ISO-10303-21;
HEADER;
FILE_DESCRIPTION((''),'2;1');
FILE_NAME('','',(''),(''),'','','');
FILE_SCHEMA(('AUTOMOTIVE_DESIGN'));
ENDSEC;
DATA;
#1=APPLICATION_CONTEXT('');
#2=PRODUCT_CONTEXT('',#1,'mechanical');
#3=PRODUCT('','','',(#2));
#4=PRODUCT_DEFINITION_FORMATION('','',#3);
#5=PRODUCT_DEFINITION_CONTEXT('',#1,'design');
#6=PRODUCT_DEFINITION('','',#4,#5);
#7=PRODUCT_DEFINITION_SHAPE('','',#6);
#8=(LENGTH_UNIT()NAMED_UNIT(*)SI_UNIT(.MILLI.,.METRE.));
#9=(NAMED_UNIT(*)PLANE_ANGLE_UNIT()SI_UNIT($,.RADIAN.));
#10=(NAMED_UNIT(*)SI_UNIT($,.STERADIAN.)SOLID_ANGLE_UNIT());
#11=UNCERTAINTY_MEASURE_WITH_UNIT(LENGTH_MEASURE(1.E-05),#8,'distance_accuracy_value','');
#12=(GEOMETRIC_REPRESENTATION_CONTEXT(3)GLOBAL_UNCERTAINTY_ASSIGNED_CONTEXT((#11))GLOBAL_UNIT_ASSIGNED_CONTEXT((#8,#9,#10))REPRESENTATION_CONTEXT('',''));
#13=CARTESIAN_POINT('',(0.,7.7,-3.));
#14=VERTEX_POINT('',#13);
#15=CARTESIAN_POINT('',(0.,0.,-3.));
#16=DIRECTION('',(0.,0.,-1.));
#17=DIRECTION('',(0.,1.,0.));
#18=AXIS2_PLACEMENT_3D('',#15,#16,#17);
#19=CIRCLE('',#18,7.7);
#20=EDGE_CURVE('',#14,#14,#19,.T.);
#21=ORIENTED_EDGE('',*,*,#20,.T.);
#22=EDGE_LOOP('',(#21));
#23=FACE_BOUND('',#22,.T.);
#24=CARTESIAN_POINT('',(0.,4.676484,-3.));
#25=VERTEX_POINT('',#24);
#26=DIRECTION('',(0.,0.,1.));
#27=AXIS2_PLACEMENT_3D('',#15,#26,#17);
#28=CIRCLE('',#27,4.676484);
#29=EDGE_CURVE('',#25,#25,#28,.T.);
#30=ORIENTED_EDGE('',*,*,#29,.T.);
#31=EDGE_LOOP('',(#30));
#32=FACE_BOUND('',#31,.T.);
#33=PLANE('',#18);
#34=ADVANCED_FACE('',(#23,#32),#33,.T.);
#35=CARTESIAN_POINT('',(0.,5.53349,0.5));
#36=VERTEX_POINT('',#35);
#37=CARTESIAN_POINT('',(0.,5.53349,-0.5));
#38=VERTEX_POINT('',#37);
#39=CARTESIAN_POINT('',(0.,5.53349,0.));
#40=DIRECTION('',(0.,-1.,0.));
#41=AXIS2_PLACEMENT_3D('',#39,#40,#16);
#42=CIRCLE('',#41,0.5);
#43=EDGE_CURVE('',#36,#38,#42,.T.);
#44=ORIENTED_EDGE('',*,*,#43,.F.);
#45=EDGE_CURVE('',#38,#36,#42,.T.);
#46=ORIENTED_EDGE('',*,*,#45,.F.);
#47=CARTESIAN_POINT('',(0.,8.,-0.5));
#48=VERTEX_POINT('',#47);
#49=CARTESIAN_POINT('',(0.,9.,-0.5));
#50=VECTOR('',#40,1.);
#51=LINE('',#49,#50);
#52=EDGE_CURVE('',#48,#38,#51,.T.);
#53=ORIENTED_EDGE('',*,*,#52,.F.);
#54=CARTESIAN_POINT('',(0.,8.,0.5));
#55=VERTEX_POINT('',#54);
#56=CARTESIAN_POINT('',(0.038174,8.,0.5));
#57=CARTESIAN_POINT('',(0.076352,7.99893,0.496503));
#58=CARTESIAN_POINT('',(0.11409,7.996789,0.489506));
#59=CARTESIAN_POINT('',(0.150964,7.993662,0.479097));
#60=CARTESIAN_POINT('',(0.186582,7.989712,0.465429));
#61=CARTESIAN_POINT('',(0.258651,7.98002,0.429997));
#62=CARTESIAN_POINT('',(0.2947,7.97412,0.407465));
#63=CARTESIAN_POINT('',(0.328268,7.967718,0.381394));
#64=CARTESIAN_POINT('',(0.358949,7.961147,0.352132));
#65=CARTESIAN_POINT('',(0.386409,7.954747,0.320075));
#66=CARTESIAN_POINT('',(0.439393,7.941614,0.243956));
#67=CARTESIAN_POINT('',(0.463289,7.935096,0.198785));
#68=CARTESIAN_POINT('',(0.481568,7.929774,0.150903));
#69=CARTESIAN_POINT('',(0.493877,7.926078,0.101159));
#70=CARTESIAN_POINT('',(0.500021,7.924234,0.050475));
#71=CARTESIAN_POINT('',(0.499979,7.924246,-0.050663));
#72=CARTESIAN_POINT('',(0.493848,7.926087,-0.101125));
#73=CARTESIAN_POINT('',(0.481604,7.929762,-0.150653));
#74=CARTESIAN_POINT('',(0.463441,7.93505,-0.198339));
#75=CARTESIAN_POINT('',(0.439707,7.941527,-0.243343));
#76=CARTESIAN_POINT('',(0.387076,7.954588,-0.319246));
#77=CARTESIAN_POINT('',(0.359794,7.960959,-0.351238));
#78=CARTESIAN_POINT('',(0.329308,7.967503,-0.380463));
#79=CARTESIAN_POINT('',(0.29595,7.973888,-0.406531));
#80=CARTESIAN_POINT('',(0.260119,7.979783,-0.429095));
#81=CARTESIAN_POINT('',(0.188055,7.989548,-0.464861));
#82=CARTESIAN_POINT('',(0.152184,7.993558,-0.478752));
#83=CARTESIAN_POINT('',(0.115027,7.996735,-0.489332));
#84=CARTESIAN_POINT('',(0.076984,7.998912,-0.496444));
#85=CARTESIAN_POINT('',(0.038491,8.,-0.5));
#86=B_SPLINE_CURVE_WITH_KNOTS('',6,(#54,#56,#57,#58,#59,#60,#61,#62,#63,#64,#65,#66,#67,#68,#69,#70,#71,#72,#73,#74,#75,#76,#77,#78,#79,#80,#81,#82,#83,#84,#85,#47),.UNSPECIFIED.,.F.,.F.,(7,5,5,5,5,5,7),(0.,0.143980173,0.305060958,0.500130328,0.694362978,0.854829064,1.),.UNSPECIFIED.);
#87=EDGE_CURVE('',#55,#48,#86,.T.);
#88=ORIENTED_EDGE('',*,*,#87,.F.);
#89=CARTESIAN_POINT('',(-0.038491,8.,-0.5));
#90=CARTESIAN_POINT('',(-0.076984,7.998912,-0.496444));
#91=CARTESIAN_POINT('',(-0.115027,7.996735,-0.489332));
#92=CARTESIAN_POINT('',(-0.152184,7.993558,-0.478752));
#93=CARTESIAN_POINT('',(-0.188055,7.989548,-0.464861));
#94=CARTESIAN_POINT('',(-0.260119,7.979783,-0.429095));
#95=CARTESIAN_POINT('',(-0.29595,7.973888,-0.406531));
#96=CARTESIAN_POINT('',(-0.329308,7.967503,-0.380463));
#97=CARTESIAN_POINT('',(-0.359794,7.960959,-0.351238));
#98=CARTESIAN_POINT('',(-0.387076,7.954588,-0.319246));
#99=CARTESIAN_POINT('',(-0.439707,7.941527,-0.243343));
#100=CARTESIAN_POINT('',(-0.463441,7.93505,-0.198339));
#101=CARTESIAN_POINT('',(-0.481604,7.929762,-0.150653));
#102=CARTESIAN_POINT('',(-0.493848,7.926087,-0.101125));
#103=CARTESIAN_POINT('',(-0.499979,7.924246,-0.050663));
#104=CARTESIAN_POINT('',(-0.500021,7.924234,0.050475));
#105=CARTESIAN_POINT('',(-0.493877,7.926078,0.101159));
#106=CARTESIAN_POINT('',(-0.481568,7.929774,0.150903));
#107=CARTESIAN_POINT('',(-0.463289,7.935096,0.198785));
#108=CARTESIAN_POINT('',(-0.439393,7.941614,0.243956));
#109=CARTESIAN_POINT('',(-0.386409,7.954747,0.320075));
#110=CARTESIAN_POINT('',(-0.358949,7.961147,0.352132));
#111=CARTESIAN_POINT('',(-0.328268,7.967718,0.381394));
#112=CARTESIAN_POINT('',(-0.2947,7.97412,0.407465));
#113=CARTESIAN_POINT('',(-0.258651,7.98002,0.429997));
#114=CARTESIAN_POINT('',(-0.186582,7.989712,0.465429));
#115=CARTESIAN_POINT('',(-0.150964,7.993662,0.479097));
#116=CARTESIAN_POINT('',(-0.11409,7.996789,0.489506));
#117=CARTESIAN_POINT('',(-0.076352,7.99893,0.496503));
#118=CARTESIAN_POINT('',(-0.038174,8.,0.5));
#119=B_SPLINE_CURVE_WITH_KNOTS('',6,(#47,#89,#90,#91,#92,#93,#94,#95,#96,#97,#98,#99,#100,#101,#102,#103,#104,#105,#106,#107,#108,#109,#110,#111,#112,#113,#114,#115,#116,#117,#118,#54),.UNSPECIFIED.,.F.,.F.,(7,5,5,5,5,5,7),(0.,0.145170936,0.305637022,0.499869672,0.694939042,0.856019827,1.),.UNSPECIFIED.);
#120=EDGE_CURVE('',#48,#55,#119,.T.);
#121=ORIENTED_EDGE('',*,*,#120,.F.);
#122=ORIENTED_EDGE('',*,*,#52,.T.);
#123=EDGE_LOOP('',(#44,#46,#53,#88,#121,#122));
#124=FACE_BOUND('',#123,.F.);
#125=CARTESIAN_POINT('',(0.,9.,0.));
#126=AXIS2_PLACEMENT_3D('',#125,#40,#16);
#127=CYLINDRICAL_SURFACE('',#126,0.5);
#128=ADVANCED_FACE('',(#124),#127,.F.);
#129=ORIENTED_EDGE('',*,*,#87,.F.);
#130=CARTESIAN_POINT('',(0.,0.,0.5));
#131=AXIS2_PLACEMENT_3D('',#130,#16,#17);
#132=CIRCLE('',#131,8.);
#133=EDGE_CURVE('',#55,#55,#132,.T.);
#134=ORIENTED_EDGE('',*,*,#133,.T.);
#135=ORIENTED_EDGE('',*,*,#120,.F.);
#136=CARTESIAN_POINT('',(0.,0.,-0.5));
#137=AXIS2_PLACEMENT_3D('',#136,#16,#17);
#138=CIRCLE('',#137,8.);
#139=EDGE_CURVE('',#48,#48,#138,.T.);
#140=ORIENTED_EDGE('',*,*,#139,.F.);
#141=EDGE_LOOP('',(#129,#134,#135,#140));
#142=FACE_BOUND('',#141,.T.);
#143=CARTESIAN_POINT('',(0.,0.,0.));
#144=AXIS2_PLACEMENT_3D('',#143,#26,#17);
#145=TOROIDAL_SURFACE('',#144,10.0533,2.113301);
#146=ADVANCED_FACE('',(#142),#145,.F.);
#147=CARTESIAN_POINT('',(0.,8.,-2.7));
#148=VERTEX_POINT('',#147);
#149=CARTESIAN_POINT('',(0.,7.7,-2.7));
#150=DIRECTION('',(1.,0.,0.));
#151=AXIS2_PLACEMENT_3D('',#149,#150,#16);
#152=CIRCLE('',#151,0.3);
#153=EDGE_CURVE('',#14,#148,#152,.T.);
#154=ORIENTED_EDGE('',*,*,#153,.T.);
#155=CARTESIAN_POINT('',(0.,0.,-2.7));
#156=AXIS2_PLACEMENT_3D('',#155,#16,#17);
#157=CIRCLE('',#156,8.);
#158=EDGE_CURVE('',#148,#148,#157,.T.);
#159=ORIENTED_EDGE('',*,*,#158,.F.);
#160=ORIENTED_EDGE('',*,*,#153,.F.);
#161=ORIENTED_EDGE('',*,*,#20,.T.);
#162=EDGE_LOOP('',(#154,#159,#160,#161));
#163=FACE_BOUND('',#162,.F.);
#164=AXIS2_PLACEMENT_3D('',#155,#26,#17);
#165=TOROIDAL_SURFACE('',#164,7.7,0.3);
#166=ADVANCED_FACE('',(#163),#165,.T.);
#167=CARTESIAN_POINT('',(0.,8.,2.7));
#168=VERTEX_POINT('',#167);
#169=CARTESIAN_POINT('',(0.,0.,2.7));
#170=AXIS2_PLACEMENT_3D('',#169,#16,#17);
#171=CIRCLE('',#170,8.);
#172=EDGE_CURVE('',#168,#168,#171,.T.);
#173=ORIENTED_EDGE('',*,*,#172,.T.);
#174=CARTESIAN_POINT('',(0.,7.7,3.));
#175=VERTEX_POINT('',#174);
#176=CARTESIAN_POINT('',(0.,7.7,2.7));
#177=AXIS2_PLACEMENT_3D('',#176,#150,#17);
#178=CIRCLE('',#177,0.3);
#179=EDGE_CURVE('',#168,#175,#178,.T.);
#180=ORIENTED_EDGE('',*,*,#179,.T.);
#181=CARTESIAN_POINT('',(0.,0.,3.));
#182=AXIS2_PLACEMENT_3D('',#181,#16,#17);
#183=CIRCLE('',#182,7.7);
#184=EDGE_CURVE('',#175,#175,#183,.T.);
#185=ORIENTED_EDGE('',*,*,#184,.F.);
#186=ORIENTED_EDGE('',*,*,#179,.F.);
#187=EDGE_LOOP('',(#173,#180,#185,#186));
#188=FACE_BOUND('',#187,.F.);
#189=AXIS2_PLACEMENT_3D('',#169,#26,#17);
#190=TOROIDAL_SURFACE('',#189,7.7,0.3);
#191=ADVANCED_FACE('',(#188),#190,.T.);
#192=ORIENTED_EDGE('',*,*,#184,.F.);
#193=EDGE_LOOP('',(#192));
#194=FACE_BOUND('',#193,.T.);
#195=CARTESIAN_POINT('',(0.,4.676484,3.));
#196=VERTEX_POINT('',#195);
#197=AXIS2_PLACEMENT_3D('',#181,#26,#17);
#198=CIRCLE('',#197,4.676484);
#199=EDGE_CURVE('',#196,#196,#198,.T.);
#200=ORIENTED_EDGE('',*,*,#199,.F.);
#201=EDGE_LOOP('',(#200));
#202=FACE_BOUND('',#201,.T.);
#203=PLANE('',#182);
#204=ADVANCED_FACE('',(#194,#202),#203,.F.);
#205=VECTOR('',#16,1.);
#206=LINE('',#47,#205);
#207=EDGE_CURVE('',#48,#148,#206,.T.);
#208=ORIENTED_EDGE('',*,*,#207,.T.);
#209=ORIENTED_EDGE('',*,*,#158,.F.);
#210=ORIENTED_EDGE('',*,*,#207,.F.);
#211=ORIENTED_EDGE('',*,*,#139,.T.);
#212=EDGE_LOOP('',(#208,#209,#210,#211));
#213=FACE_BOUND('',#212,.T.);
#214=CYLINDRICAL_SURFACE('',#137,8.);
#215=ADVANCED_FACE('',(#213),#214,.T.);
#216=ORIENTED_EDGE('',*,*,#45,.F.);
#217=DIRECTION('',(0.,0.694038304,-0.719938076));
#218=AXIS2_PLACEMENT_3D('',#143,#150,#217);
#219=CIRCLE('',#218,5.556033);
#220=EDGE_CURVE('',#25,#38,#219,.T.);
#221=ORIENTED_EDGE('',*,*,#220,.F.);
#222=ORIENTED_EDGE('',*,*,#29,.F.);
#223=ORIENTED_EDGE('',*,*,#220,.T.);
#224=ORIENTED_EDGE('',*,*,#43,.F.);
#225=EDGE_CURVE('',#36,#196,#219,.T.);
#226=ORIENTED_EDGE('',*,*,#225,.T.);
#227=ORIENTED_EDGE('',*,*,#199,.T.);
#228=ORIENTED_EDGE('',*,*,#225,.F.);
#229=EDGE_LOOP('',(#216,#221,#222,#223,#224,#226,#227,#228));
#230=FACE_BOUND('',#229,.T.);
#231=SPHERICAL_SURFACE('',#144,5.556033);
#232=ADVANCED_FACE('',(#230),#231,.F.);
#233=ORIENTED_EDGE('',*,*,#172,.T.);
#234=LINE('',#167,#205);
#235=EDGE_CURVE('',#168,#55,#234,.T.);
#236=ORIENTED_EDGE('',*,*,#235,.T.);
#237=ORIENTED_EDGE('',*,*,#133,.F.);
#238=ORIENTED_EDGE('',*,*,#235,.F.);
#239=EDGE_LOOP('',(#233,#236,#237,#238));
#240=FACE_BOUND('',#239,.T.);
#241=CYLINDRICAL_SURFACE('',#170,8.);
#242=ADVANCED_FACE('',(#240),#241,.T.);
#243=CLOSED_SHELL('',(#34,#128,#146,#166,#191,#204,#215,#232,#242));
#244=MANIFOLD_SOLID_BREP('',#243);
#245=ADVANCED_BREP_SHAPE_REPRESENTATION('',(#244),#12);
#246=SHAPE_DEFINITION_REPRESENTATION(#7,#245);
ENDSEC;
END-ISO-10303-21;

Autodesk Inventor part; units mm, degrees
sketch "Sketch_3" plane through (0, 0, 0) normal (1, 0, 0) x (0, 1, 0)
  line L0 (0, -4) -> (0, 4)
  line L1 (0, 4) -> (3.8561, 4)
  arc A0 (3.8561, -4) -> (3.8561, 4) centre (0, 0) ccw
  line L2 (3.8561, -4) -> (0, -4)
  line L3 (0, -4) -> (0, 4)
sketch "Sketch_2" plane through (0, 0, 0) normal (1, 0, 0) x (0, 1, 0)
  line L0 (0, -3) -> (0, 3)
  line L1 (0, 3) -> (7.7, 3)
  arc A0 (8, 2.7) -> (7.7, 3) centre (7.7, 2.7) ccw
  line L2 (8, 2.7) -> (8, 0.5)
  arc A1 (8, 0.5) -> (8, -0.5) centre (10.0533, 0) ccw
  line L3 (8, -0.5) -> (8, -2.7)
  arc A2 (7.7, -3) -> (8, -2.7) centre (7.7, -2.7) ccw
  line L4 (7.7, -3) -> (0, -3)
  line L5 (0, -3) -> (0, 3)
revolve "Revolution1" add sketch "Sketch_2" angle 360 about axis through (0, 0, -3) along (0, 0, -1)
revolve "Revolution2" cut sketch "Sketch_3" angle 360 about axis through (0, 0, -4) along (0, 0, -1)
sketch "_____1" plane through (0, 0, 0) normal (1, 0, 0) x (0, 0, -1)
  line L0 (0, -32) -> (0, 32)
  line L1 (0, 9) -> (0.5, 9)
  line L2 (0.5, 9) -> (0.5, 0)
  line L3 (0.5, 0) -> (0, 0)
  line L4 (0, 0) -> (0, 9)
revolve "Revolution3" cut sketch "_____1" angle 360 about axis through (0, -32, 0) along (0, -1, 0)
ref_plane "holder_XY" through (0, 0, 0) normal (0, 0, 1) x (1, 0, 0)
ref_plane "holder_YZ" through (0, 0, 0) normal (1, 0, 0) x (0, 1, 0)
ref_plane "holder_ZX" through (0, 0, 0) normal (0, 1, 0) x (0, 0, 1)
properties part number "RBPB5h"
